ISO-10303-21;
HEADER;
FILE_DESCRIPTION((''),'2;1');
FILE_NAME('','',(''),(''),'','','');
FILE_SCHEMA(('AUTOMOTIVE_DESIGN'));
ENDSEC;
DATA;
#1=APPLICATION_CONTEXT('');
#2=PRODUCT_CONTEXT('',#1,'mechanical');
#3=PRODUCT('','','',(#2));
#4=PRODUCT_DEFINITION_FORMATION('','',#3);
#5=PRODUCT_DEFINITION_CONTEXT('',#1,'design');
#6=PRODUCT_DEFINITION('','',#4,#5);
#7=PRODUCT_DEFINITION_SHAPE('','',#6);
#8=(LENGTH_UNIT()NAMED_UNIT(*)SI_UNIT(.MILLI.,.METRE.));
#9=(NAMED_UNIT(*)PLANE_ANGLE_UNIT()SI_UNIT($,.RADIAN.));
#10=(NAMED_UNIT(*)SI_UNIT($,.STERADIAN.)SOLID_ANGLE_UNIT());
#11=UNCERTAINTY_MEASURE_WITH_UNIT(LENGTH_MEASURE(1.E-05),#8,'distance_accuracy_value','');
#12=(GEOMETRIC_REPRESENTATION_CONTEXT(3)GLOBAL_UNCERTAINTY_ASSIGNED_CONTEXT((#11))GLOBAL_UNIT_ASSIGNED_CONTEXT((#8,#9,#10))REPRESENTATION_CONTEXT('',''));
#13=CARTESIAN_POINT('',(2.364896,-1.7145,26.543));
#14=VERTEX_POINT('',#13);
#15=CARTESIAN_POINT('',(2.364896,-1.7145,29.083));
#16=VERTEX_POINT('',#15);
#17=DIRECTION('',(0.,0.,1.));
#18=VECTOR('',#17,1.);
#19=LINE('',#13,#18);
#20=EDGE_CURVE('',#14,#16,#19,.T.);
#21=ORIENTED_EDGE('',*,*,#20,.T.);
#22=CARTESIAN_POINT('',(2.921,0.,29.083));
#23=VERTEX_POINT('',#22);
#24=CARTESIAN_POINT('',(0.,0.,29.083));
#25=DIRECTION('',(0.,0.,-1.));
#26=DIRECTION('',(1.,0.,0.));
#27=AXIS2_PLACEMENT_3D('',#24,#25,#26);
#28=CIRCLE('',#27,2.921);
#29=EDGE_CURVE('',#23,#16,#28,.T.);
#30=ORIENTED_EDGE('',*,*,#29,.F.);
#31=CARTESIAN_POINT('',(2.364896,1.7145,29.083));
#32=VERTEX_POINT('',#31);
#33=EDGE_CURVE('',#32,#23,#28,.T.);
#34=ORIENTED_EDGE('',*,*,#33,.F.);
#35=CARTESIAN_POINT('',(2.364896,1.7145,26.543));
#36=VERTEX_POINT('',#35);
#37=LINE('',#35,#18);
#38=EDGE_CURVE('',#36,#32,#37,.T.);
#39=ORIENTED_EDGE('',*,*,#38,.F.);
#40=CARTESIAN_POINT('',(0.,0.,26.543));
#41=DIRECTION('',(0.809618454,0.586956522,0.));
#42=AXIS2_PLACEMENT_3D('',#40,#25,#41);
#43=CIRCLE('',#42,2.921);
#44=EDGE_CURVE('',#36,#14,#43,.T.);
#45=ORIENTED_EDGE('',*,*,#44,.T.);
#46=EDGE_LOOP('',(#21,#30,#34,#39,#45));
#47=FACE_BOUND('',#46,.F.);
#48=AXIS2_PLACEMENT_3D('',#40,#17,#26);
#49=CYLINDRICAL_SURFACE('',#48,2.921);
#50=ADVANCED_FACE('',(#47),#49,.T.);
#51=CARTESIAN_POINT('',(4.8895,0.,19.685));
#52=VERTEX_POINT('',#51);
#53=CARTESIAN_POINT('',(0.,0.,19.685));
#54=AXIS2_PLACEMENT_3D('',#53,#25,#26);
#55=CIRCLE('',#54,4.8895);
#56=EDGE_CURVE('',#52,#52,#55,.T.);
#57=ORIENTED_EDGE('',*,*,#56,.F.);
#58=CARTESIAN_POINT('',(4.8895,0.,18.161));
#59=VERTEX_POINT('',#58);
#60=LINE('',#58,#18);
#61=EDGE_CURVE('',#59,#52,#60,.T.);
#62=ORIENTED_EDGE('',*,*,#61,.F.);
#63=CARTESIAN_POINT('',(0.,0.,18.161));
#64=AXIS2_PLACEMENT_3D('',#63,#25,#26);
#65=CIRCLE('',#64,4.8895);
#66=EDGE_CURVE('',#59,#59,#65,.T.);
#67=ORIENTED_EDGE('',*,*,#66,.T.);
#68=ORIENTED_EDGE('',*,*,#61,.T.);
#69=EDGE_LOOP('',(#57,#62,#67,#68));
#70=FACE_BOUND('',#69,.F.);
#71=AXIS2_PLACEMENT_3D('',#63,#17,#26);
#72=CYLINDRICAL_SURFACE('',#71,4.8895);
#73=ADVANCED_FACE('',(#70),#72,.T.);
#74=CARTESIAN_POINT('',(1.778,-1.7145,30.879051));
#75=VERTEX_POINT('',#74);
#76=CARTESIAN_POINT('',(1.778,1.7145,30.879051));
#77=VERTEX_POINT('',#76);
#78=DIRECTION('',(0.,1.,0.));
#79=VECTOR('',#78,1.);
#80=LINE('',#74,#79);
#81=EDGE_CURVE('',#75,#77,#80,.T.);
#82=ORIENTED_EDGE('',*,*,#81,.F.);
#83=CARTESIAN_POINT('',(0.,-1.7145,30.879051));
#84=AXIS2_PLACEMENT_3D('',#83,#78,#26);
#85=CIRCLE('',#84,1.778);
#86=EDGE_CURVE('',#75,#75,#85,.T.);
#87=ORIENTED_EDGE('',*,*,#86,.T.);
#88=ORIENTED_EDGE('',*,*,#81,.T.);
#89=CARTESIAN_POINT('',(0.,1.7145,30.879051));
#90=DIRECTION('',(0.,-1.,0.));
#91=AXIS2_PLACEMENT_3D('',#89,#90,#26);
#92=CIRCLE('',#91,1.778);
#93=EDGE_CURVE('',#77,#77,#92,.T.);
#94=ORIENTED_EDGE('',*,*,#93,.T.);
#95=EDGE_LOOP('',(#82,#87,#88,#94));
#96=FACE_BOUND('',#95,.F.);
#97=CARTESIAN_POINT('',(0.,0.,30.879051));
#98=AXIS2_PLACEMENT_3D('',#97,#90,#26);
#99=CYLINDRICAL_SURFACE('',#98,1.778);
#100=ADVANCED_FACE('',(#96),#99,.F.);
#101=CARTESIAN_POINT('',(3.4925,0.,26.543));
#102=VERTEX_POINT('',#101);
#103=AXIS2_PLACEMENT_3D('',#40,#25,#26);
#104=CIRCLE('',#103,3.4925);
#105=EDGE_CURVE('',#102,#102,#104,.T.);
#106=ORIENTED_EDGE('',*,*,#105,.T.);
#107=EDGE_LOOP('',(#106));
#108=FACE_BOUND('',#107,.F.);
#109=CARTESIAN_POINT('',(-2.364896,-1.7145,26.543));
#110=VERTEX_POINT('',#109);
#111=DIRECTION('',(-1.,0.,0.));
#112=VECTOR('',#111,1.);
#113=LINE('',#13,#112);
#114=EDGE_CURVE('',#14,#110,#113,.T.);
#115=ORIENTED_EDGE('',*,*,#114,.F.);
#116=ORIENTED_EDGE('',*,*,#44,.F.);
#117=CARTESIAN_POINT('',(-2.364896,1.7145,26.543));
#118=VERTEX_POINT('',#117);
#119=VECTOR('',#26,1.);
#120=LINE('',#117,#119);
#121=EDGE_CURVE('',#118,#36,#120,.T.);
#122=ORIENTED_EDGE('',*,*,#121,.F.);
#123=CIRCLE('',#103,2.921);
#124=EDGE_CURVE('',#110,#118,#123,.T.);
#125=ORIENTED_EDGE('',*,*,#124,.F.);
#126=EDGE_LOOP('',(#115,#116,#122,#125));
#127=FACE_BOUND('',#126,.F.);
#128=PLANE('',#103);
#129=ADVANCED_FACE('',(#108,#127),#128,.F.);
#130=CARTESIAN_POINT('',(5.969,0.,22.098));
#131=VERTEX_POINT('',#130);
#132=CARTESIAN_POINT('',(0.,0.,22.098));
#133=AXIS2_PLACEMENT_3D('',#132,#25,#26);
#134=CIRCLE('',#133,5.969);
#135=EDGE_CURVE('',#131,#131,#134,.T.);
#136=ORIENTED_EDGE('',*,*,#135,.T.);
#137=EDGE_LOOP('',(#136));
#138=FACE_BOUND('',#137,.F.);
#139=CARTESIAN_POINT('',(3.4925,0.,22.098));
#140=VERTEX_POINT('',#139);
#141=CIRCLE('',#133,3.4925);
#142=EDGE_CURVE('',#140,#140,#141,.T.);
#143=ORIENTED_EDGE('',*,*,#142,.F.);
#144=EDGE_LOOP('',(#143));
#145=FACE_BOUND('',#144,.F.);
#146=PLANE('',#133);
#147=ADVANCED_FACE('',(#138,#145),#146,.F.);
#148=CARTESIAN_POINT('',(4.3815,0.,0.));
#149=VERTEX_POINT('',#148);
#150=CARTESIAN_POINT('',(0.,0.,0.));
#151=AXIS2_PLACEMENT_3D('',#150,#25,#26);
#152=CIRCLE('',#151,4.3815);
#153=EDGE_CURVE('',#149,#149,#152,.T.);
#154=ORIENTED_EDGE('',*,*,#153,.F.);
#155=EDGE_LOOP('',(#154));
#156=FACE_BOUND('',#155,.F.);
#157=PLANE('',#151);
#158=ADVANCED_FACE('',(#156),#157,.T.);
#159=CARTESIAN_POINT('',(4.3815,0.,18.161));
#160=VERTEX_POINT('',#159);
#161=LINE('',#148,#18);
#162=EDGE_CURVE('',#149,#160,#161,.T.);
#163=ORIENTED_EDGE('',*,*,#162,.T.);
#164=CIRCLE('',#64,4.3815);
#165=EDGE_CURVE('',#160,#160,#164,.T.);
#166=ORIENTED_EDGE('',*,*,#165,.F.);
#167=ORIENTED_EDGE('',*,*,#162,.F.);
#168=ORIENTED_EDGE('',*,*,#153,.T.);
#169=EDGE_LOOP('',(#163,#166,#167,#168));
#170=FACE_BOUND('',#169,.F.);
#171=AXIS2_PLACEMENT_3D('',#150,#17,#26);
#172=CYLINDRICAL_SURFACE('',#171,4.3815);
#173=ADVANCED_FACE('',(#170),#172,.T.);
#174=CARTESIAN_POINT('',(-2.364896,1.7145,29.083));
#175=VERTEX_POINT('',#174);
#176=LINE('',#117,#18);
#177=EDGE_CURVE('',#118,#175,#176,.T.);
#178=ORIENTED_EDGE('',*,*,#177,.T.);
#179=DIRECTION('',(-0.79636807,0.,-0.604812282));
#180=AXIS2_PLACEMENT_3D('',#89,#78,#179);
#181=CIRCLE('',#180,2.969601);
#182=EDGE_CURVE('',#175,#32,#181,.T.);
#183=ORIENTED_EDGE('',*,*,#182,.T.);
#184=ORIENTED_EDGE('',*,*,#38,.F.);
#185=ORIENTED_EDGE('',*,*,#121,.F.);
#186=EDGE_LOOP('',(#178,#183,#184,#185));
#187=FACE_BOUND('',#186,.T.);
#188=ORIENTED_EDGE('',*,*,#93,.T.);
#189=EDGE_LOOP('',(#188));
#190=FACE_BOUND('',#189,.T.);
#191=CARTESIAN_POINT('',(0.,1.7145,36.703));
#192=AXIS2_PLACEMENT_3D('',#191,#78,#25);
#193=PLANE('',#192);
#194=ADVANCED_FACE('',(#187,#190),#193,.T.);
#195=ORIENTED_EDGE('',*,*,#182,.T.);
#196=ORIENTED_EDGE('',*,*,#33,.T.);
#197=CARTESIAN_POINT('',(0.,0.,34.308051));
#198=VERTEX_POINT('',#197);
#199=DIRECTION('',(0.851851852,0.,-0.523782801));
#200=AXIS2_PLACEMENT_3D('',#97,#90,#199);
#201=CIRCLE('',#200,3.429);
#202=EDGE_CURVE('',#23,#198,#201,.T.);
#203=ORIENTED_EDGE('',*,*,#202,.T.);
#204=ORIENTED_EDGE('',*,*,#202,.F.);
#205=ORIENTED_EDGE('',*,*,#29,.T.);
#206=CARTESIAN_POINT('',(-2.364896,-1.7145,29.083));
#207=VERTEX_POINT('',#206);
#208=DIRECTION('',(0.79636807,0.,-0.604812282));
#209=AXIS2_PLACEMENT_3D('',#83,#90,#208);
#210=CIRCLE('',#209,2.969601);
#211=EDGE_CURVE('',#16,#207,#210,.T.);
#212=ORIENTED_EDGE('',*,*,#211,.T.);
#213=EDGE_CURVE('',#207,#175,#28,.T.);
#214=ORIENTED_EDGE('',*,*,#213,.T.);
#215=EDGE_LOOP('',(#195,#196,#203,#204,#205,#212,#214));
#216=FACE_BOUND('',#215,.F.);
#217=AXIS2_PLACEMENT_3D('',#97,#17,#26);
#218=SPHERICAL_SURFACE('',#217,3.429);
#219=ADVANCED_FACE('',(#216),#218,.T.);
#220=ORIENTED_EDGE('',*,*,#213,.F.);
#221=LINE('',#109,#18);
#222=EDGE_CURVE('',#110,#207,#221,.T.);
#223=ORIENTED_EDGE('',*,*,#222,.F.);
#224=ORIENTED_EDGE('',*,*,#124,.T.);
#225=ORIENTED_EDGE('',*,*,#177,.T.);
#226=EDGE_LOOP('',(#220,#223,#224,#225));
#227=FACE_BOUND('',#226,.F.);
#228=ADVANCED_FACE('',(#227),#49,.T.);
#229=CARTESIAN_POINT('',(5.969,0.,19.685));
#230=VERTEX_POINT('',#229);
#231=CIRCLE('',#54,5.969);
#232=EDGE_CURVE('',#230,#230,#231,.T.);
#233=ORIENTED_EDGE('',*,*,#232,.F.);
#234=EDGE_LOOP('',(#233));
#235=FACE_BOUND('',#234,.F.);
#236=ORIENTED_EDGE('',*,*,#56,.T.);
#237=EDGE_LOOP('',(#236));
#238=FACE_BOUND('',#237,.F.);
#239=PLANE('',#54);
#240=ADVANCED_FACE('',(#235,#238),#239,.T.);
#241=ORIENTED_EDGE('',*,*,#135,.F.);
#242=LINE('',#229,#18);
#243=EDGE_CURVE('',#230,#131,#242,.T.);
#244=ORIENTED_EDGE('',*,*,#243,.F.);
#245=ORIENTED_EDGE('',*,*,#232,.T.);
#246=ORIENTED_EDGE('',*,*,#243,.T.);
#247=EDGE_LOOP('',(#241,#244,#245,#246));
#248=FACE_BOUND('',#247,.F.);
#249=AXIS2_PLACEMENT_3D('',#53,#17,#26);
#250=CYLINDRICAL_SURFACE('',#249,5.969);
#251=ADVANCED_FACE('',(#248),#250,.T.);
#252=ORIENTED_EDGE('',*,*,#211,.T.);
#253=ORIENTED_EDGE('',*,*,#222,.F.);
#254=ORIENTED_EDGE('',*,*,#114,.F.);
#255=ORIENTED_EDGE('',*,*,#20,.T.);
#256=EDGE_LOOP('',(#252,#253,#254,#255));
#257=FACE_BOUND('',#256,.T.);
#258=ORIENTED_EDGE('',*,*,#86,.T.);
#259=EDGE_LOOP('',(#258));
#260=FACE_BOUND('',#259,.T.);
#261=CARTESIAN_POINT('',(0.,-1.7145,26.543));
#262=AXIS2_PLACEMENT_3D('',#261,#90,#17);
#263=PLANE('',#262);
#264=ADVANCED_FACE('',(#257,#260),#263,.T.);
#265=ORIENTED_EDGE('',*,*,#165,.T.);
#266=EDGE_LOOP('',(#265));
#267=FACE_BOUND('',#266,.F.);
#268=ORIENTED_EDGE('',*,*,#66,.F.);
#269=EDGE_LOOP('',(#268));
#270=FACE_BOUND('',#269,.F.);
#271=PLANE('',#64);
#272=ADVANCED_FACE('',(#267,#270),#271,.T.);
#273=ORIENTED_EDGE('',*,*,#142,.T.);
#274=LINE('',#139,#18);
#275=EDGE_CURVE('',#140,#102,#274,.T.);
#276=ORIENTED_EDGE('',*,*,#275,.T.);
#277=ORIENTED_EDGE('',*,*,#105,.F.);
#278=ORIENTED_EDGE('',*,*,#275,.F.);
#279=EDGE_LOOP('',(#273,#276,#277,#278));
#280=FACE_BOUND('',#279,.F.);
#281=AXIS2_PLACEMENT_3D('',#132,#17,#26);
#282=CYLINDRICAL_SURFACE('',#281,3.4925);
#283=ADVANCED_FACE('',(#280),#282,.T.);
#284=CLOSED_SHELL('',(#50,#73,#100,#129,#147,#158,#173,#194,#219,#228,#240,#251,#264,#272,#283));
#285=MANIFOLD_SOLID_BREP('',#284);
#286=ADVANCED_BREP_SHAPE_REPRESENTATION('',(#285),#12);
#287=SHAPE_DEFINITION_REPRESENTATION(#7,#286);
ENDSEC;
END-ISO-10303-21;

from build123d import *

# Parameters (mm, degrees)
F3_DEPTH      = 5.97
F3_DEPTH_BACK = 5.97
F4_R          = 1.778
F5_DEPTH      = 5.97
F5_DEPTH_BACK = 5.97


with BuildPart() as f1:
    # F0 (on Front) → F1 (revolve)
    with BuildSketch(Plane.XZ):
        with BuildLine():
            Line((0, 26.543), (0, 0))
            Line((0, 0), (4.3815, 0))
            Line((4.3815, 0), (4.3815, 18.161))
            Line((4.3815, 18.161), (4.8895, 18.161))
            Line((4.8895, 18.161), (4.8895, 19.685))
            Line((4.8895, 19.685), (5.969, 19.685))
            Line((5.969, 19.685), (5.969, 20.828))
            Line((5.969, 20.828), (5.969, 22.098))
            Line((5.969, 22.098), (3.4925, 22.098))
            Line((3.4925, 22.098), (3.4925, 26.543))
            Line((3.4925, 26.543), (2.921, 26.543))
            Line((2.921, 26.543), (2.921, 29.083))
            ThreePointArc((2.921, 29.083), (2.9930503377, 32.5522788465), (0, 34.3080512242))
            Line((0, 34.3080512242), (0, 26.543))
        make_face()
    revolve(axis=Axis((0, 0, 28.8581177592), (0, 0, -1)))

    # F2 (on Right) → F3 (cut, two sides)
    with BuildSketch(Plane.YZ) as f3_sk:
        Polygon((-3.4925, 26.543), (-1.7145, 26.543), (-1.7145, 36.703), (-6.1595, 36.703), (-6.1595, 26.543), align=None)
        Polygon((3.4925, 26.543), (6.1595, 26.543), (6.1595, 36.703), (1.7145, 36.703), (1.7145, 26.543), align=None)
    extrude(amount=F3_DEPTH, mode=Mode.SUBTRACT)
    extrude(f3_sk.sketch, amount=-F3_DEPTH_BACK, mode=Mode.SUBTRACT)

    # F4 (on Front) → F5 (cut, two sides)
    with BuildSketch(Plane.XZ) as f5_sk:
        with Locations((0, 30.8790512242)):
            Circle(F4_R)
    extrude(amount=-F5_DEPTH, mode=Mode.SUBTRACT)
    extrude(f5_sk.sketch, amount=F5_DEPTH_BACK, mode=Mode.SUBTRACT)


solid = f1.part
